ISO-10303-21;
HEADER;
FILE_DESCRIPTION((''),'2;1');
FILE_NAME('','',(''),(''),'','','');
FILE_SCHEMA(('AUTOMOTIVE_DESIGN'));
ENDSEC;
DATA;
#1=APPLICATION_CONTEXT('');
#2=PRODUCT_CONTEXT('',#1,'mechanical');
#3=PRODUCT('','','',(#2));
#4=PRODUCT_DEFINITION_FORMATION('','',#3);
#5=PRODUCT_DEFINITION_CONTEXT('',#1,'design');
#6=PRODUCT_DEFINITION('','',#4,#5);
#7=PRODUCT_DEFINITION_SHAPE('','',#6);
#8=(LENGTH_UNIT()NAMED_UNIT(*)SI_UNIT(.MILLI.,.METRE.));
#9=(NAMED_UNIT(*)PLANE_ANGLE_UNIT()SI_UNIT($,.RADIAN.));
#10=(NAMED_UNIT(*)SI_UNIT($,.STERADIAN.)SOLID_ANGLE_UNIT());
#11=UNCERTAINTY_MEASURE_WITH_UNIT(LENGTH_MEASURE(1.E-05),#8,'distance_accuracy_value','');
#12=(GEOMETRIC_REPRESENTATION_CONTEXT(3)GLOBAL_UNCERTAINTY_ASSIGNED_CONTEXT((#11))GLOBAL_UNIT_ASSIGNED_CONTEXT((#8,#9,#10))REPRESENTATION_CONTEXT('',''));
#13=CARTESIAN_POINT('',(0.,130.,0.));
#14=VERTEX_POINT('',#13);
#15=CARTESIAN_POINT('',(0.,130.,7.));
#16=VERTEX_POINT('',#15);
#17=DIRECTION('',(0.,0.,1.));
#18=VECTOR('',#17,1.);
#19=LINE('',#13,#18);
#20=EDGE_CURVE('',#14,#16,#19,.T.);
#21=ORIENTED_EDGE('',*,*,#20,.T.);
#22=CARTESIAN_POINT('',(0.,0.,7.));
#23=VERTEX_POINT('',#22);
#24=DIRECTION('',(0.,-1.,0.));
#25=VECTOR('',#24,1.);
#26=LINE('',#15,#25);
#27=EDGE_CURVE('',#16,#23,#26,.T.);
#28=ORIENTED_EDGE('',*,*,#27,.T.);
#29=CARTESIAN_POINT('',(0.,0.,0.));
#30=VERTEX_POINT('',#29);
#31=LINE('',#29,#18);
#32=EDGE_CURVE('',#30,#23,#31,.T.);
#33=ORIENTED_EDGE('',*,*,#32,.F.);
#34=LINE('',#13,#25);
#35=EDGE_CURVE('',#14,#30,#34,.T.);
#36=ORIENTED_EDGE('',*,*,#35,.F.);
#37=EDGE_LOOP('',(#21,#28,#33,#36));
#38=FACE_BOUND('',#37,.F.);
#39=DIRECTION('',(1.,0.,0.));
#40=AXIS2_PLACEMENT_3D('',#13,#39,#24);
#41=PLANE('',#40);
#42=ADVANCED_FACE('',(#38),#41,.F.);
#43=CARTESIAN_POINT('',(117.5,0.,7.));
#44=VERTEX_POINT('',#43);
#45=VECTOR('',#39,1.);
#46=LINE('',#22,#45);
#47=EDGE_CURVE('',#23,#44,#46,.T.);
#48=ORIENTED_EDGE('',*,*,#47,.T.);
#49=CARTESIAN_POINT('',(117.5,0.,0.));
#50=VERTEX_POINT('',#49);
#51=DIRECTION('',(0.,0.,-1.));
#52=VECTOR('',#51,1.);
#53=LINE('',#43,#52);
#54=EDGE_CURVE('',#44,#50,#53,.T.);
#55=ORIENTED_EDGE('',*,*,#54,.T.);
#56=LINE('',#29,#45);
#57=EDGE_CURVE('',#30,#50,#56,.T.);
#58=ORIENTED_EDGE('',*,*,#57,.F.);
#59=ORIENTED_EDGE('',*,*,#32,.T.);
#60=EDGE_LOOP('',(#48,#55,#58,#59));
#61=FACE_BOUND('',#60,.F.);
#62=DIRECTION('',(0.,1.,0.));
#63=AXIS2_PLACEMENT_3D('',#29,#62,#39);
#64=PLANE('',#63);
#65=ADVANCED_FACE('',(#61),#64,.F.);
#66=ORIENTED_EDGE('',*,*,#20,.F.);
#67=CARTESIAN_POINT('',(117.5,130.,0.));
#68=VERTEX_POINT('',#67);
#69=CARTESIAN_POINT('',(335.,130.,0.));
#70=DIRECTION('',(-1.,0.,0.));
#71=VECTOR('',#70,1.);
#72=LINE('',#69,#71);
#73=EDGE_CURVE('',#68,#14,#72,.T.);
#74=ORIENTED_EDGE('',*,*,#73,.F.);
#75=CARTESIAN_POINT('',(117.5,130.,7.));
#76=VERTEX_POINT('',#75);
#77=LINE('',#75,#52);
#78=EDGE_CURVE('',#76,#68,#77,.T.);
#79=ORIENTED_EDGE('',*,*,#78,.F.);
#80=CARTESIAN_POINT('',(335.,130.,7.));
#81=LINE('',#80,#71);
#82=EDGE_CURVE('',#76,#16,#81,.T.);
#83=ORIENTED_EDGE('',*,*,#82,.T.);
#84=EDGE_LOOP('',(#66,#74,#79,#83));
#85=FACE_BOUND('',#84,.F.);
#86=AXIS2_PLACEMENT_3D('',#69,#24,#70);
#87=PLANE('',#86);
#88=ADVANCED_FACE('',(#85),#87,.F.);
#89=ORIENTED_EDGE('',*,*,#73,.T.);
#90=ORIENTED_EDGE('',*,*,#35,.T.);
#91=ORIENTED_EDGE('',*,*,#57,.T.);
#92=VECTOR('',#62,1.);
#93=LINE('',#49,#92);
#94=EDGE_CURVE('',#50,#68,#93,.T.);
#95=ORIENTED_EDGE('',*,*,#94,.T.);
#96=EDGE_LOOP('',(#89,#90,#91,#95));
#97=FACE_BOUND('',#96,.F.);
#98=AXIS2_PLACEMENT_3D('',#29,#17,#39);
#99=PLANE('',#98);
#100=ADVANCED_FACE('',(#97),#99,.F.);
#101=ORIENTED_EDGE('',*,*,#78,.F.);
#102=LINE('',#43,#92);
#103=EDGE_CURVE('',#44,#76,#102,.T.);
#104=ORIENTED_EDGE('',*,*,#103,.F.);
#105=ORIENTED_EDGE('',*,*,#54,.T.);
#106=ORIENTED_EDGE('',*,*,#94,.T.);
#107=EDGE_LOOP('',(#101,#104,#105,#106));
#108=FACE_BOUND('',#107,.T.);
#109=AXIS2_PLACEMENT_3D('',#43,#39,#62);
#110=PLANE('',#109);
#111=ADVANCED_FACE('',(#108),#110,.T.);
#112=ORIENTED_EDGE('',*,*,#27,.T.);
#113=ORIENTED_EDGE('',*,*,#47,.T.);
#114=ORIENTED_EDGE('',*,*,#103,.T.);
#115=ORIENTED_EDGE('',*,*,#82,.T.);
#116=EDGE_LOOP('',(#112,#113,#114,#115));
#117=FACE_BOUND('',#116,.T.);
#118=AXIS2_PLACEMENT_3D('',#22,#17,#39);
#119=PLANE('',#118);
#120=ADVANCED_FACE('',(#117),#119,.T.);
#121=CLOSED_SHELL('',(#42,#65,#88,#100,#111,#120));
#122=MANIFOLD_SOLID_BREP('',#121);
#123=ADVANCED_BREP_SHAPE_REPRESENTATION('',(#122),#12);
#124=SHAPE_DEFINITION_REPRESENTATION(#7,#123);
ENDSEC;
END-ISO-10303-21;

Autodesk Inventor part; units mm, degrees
ref_plane "YZ Plane" through (0, 0, 0) normal (1, 0, 0) x (0, 1, 0)
ref_plane "XZ Plane" through (0, 0, 0) normal (0, 1, 0) x (-1, 0, 0)
ref_plane "XY Plane" through (0, 0, 0) normal (0, 0, 1) x (1, 0, 0)
sketch "Sketch1" plane through (0, 0, 0) normal (0, 0, 1) x (1, 0, 0)
  line L0 (0, 0) -> (335, 0)
  line L1 (335, 0) -> (335, 130)
  line L2 (335, 130) -> (0, 130)
  line L3 (0, 130) -> (0, 0)
  dimension "d0" = 335
  dimension "d1" = 130
extrude "Extrusion1" add sketch "Sketch1" along normal blind 7
sketch "Sketch2" plane through (0, 0, 7) normal (0, 0, 1) x (1, 0, 0)
  line L0 (0, 0) -> (335, 0) projected
  line L1 (0, 0) -> (127.5, 0)
  line L2 (127.5, 0) -> (207.5, 0)
  line L3 (207.5, 0) -> (335, 0)
  line L4 (335, 130) -> (0, 130) projected
  line L5 (0, 0) -> (167.5, 0)
  line L6 (167.5, 0) -> (117.5, 0)
  line L7 (117.5, 0) -> (217.5, 0)
  line L8 (217.5, 0) -> (217.5, 130)
  line L9 (117.5, 0) -> (117.5, 130)
  line L10 (117.5, 0) -> (0, 0)
  line L11 (217.5, 0) -> (335, 0)
  dimension "d7" = 100
extrude "Extrusion2" cut sketch "Sketch2" against normal blind 10
sketch "Sketch3" plane through (0, 0, 7) normal (0, 0, 1) x (1, 0, 0)
  line L0 (335, 130) -> (217.5, 130) projected
  line L1 (335, 0) -> (335, 130) projected
  line L2 (217.5, 130) -> (335, 130)
  line L3 (335, 130) -> (335, 0)
  line L4 (335, 0) -> (217.5, 0)
  line L5 (217.5, 0) -> (217.5, 130)
  point P0 (0, 0)
extrude "Extrusion3" cut sketch "Sketch3" against normal blind 10
properties part number "Frente-inferior-E-D" material "Polycarbonate, Clear"
